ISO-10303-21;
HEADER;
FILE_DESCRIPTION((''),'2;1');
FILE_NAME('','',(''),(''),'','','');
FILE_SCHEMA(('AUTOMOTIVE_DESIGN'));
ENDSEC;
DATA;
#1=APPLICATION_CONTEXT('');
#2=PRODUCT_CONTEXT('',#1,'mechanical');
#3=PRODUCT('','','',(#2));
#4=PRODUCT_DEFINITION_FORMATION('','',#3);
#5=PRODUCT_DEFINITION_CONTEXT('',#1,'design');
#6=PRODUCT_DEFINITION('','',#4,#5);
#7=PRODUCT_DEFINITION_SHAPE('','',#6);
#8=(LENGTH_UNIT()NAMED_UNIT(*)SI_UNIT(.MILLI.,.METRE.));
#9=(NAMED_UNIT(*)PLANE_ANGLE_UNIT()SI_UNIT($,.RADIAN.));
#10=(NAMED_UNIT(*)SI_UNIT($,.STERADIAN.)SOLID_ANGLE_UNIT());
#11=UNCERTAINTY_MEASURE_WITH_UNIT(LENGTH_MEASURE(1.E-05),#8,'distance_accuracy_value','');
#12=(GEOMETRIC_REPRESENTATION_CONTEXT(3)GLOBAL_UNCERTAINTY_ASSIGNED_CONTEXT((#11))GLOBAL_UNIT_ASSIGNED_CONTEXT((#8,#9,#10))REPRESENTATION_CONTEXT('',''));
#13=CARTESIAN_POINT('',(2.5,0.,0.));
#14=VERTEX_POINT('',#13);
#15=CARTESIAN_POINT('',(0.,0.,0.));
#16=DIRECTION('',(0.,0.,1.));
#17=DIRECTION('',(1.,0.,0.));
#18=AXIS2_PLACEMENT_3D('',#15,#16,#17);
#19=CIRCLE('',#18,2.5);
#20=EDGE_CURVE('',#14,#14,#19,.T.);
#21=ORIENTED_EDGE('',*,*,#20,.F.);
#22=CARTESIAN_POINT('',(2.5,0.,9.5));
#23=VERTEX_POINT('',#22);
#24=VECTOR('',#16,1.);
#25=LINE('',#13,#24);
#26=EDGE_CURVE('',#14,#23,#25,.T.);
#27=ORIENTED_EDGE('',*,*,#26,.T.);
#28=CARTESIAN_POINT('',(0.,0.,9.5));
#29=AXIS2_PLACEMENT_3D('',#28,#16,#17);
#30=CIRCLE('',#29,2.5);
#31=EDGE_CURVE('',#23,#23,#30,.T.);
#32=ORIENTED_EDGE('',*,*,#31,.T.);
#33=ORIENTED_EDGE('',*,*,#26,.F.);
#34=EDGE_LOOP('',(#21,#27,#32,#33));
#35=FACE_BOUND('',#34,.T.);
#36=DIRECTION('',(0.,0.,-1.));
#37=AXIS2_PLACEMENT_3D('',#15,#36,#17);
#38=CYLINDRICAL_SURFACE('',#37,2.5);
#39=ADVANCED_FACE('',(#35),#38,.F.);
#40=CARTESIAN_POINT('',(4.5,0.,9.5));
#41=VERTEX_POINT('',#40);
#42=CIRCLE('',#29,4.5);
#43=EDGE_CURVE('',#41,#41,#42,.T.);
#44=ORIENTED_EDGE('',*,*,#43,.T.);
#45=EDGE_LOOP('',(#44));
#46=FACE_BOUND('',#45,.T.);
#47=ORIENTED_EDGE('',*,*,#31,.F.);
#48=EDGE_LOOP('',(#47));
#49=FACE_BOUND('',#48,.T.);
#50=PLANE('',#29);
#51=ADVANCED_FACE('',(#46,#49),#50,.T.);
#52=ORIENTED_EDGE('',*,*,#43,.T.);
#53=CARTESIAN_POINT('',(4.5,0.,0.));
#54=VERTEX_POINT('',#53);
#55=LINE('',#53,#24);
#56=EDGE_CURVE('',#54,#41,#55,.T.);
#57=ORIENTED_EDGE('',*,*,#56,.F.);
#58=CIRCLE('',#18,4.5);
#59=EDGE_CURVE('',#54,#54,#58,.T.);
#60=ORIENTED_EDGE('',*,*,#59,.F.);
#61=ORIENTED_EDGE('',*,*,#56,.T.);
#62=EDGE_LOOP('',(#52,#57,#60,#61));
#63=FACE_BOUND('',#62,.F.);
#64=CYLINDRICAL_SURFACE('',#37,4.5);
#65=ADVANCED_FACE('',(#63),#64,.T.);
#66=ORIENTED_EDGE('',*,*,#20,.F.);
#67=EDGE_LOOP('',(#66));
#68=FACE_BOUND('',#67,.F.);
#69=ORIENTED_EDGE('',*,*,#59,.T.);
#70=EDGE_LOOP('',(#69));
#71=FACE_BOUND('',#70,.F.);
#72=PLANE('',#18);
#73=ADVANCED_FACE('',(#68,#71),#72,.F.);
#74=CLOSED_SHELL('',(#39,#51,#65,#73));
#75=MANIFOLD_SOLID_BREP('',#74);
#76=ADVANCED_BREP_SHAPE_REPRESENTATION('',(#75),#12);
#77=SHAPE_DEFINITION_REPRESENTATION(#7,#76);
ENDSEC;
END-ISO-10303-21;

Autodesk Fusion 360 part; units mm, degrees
sketch "草图1" plane through (0, 0, 0) normal (0, 0, 1) x (1, 0, 0)
  circle A0 centre (0, 0) radius 2.5
  circle A1 centre (0, 0) radius 4.5
  dimension "d1" = 5
  dimension "d2" = 9
extrude "拉伸1" add sketch "草图1" along normal blind 9.5
